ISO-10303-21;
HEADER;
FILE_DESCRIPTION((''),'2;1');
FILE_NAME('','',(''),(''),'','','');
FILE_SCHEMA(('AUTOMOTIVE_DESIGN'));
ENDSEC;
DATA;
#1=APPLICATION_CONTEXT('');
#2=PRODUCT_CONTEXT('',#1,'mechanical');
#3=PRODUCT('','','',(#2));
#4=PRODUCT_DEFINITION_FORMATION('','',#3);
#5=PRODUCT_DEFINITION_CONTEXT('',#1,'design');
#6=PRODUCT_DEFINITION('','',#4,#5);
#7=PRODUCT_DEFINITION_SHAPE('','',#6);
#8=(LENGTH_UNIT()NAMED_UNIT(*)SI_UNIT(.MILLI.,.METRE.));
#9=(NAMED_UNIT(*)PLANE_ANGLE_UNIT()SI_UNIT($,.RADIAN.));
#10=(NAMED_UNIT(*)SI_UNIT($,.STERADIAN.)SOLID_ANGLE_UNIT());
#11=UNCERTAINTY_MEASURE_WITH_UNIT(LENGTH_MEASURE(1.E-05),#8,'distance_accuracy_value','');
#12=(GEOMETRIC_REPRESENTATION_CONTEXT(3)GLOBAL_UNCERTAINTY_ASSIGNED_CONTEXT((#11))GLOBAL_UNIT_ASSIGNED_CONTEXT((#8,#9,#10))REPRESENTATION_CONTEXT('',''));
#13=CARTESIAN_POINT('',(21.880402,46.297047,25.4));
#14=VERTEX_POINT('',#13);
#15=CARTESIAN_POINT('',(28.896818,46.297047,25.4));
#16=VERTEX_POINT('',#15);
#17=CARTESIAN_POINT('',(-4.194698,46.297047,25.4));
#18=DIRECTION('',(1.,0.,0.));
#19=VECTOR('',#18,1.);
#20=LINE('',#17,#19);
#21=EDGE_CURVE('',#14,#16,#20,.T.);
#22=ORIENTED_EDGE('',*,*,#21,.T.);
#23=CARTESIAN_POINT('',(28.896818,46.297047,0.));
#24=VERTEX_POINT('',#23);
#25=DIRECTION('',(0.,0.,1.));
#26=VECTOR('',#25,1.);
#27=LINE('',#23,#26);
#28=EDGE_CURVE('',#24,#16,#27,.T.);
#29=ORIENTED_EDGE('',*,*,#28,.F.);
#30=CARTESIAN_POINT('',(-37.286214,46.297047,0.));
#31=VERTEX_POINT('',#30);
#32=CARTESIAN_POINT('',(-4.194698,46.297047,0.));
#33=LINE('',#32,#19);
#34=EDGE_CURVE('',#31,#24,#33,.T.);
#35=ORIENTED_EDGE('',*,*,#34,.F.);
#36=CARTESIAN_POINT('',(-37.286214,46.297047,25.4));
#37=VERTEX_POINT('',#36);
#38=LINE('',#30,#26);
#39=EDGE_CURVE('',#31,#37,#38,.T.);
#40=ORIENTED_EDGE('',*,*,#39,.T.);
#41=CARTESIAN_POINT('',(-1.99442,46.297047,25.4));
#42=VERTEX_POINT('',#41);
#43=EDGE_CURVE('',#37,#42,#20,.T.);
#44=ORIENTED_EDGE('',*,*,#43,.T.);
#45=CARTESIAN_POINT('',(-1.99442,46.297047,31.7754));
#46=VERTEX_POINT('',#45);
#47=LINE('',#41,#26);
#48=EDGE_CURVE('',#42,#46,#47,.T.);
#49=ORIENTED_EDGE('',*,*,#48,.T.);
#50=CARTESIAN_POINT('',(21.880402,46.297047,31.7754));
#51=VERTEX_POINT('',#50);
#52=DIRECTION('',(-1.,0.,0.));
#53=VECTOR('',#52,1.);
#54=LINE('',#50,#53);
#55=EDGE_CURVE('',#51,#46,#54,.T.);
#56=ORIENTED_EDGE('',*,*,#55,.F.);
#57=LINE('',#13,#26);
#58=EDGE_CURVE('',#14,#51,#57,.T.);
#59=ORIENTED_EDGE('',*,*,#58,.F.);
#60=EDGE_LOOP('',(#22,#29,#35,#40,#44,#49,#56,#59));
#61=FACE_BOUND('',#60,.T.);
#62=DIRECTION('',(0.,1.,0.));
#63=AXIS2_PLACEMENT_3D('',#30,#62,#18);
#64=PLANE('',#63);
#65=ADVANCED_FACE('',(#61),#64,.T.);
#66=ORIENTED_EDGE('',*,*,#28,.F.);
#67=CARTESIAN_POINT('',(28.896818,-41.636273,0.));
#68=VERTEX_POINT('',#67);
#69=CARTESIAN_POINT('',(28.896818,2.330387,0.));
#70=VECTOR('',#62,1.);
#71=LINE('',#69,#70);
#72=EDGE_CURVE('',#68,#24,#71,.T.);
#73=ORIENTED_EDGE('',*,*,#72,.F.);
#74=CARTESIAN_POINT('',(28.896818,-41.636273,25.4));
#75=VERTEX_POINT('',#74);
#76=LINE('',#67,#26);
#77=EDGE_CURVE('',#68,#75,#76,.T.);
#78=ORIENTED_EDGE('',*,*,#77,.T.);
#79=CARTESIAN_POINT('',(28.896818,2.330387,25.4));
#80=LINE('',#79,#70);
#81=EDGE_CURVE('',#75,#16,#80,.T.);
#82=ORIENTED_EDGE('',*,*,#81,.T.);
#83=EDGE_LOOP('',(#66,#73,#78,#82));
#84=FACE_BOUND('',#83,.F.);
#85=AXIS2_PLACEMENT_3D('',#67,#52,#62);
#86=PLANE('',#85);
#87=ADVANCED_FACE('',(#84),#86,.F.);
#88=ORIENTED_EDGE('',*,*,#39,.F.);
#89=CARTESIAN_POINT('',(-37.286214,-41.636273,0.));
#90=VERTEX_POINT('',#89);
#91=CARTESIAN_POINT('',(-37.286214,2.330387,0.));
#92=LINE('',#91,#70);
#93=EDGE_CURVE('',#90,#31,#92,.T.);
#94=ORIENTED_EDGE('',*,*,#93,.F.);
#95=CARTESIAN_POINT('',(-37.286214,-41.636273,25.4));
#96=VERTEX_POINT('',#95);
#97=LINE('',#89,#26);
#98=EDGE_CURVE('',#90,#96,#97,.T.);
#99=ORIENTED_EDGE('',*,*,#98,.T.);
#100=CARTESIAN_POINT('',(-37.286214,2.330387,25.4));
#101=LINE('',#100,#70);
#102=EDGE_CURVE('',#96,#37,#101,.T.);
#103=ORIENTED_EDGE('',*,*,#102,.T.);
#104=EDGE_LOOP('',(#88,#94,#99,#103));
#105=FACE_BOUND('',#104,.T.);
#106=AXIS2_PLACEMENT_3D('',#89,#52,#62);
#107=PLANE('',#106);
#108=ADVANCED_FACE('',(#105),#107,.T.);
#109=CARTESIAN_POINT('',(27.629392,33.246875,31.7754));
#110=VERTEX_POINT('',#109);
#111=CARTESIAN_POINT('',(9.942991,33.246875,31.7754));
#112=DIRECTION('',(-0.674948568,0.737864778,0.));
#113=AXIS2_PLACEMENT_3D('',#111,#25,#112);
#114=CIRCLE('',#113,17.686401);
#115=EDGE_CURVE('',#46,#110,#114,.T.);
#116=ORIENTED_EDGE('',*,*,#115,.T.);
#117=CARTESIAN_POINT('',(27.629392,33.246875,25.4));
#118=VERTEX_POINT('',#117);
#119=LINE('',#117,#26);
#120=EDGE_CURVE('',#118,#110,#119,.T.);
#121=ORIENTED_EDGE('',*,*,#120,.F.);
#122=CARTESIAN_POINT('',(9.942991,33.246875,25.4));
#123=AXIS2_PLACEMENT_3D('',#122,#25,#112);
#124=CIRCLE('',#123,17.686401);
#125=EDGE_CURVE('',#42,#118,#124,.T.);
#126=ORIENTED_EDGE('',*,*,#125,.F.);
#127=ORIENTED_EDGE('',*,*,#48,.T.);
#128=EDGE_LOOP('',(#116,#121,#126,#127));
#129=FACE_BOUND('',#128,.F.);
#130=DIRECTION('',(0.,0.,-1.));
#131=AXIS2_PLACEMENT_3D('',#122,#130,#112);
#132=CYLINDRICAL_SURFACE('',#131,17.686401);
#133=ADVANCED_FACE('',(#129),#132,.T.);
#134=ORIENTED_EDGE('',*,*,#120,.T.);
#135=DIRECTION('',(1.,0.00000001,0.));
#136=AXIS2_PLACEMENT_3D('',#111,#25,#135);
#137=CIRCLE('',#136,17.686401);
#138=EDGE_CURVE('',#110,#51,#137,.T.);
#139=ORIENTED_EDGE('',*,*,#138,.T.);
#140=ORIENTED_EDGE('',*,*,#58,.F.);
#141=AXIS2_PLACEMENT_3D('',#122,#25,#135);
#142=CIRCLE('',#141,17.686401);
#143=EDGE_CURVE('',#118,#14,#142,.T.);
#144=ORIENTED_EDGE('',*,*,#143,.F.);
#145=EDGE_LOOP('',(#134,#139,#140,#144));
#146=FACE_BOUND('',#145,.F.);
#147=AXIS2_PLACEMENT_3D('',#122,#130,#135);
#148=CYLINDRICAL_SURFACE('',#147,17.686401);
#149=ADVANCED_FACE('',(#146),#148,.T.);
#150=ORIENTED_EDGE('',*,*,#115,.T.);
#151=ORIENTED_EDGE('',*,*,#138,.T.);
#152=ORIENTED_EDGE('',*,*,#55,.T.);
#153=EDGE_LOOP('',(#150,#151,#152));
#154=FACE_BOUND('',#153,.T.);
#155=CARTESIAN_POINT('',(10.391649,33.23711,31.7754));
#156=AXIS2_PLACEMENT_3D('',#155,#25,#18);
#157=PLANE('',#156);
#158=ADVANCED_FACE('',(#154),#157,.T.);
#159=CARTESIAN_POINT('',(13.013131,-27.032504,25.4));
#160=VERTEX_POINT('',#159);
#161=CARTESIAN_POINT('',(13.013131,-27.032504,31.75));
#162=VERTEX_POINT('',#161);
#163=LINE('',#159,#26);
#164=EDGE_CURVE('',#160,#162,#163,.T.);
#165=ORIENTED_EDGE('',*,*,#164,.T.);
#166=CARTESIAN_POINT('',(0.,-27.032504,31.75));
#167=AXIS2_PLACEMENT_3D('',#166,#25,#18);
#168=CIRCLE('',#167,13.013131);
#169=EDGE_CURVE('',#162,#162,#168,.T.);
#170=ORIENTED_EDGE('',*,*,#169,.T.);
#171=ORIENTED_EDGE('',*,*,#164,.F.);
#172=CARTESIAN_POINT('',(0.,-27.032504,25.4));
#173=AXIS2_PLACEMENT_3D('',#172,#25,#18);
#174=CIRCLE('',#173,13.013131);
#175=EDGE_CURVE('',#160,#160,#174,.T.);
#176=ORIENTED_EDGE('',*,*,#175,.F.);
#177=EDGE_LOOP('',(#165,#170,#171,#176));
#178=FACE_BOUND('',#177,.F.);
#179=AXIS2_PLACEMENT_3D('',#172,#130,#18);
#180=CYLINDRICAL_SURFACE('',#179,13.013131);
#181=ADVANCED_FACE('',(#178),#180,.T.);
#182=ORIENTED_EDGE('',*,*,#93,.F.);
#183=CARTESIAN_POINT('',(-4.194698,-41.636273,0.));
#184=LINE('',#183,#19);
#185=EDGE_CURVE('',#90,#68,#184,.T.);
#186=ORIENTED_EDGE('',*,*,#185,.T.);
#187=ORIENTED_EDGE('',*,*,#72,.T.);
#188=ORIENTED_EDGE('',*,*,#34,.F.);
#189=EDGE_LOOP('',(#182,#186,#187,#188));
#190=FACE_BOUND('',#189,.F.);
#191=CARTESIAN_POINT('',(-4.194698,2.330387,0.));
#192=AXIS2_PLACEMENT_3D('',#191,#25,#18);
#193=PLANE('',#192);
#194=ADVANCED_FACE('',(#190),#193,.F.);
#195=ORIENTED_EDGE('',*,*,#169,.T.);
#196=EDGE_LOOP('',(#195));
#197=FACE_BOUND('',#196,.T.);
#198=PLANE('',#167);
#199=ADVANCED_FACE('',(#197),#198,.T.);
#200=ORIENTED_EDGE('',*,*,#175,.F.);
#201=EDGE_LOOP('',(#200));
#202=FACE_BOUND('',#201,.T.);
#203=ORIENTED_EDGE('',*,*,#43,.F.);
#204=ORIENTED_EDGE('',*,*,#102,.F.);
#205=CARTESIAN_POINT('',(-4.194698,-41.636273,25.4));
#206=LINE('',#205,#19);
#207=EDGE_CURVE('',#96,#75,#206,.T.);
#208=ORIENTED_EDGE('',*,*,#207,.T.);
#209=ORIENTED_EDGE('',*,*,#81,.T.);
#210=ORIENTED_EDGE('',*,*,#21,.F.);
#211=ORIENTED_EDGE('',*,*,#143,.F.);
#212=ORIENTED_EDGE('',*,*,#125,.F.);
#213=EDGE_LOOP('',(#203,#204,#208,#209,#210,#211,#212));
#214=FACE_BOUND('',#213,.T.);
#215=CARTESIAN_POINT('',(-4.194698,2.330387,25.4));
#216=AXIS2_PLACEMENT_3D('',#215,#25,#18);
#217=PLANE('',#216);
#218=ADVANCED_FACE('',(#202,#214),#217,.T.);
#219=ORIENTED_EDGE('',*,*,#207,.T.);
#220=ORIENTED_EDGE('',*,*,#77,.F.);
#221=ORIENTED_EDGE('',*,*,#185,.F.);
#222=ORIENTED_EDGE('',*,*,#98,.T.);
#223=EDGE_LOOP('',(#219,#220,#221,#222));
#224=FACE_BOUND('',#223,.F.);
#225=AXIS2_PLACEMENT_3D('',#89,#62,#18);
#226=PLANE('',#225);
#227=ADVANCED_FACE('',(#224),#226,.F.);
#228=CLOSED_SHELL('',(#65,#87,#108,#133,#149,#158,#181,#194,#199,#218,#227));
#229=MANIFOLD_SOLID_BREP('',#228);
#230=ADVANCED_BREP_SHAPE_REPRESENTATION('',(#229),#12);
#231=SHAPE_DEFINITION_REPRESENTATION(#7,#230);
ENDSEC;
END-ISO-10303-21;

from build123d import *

# Parameters (mm, degrees)
F0_W     = 66.183033
F0_H     = 87.93332
F1_DEPTH = 25.4
F2_R     = 13.013131
F3_DEPTH = 6.35
F4_DEPTH = 6.3754


with BuildPart() as f1:
    # F0 (on Top) → F1 (new body)
    with BuildSketch(Plane.XY):
        with Locations((-4.194698, 2.330387)):
            Rectangle(F0_W, F0_H)
    extrude(amount=F1_DEPTH)

    # F2 (on face) → F3 (join)
    with BuildSketch(Plane.XY.offset(25.4)):
        with Locations((0, -27.032504)):
            Circle(F2_R)
    extrude(amount=F3_DEPTH)

    # F2 (on face) → F4 (join)
    with BuildSketch(Plane.XY.offset(25.4)):
        with BuildLine():
            ThreePointArc((-1.99442, 46.297047), (2.81281, 17.061409), (27.629392, 33.246875))
            ThreePointArc((27.629392, 33.246875), (26.128457, 40.377055), (21.880402, 46.297047))
            Line((21.880402, 46.297047), (-1.99442, 46.297047))
        make_face()
    extrude(amount=F4_DEPTH)


solid = f1.part
